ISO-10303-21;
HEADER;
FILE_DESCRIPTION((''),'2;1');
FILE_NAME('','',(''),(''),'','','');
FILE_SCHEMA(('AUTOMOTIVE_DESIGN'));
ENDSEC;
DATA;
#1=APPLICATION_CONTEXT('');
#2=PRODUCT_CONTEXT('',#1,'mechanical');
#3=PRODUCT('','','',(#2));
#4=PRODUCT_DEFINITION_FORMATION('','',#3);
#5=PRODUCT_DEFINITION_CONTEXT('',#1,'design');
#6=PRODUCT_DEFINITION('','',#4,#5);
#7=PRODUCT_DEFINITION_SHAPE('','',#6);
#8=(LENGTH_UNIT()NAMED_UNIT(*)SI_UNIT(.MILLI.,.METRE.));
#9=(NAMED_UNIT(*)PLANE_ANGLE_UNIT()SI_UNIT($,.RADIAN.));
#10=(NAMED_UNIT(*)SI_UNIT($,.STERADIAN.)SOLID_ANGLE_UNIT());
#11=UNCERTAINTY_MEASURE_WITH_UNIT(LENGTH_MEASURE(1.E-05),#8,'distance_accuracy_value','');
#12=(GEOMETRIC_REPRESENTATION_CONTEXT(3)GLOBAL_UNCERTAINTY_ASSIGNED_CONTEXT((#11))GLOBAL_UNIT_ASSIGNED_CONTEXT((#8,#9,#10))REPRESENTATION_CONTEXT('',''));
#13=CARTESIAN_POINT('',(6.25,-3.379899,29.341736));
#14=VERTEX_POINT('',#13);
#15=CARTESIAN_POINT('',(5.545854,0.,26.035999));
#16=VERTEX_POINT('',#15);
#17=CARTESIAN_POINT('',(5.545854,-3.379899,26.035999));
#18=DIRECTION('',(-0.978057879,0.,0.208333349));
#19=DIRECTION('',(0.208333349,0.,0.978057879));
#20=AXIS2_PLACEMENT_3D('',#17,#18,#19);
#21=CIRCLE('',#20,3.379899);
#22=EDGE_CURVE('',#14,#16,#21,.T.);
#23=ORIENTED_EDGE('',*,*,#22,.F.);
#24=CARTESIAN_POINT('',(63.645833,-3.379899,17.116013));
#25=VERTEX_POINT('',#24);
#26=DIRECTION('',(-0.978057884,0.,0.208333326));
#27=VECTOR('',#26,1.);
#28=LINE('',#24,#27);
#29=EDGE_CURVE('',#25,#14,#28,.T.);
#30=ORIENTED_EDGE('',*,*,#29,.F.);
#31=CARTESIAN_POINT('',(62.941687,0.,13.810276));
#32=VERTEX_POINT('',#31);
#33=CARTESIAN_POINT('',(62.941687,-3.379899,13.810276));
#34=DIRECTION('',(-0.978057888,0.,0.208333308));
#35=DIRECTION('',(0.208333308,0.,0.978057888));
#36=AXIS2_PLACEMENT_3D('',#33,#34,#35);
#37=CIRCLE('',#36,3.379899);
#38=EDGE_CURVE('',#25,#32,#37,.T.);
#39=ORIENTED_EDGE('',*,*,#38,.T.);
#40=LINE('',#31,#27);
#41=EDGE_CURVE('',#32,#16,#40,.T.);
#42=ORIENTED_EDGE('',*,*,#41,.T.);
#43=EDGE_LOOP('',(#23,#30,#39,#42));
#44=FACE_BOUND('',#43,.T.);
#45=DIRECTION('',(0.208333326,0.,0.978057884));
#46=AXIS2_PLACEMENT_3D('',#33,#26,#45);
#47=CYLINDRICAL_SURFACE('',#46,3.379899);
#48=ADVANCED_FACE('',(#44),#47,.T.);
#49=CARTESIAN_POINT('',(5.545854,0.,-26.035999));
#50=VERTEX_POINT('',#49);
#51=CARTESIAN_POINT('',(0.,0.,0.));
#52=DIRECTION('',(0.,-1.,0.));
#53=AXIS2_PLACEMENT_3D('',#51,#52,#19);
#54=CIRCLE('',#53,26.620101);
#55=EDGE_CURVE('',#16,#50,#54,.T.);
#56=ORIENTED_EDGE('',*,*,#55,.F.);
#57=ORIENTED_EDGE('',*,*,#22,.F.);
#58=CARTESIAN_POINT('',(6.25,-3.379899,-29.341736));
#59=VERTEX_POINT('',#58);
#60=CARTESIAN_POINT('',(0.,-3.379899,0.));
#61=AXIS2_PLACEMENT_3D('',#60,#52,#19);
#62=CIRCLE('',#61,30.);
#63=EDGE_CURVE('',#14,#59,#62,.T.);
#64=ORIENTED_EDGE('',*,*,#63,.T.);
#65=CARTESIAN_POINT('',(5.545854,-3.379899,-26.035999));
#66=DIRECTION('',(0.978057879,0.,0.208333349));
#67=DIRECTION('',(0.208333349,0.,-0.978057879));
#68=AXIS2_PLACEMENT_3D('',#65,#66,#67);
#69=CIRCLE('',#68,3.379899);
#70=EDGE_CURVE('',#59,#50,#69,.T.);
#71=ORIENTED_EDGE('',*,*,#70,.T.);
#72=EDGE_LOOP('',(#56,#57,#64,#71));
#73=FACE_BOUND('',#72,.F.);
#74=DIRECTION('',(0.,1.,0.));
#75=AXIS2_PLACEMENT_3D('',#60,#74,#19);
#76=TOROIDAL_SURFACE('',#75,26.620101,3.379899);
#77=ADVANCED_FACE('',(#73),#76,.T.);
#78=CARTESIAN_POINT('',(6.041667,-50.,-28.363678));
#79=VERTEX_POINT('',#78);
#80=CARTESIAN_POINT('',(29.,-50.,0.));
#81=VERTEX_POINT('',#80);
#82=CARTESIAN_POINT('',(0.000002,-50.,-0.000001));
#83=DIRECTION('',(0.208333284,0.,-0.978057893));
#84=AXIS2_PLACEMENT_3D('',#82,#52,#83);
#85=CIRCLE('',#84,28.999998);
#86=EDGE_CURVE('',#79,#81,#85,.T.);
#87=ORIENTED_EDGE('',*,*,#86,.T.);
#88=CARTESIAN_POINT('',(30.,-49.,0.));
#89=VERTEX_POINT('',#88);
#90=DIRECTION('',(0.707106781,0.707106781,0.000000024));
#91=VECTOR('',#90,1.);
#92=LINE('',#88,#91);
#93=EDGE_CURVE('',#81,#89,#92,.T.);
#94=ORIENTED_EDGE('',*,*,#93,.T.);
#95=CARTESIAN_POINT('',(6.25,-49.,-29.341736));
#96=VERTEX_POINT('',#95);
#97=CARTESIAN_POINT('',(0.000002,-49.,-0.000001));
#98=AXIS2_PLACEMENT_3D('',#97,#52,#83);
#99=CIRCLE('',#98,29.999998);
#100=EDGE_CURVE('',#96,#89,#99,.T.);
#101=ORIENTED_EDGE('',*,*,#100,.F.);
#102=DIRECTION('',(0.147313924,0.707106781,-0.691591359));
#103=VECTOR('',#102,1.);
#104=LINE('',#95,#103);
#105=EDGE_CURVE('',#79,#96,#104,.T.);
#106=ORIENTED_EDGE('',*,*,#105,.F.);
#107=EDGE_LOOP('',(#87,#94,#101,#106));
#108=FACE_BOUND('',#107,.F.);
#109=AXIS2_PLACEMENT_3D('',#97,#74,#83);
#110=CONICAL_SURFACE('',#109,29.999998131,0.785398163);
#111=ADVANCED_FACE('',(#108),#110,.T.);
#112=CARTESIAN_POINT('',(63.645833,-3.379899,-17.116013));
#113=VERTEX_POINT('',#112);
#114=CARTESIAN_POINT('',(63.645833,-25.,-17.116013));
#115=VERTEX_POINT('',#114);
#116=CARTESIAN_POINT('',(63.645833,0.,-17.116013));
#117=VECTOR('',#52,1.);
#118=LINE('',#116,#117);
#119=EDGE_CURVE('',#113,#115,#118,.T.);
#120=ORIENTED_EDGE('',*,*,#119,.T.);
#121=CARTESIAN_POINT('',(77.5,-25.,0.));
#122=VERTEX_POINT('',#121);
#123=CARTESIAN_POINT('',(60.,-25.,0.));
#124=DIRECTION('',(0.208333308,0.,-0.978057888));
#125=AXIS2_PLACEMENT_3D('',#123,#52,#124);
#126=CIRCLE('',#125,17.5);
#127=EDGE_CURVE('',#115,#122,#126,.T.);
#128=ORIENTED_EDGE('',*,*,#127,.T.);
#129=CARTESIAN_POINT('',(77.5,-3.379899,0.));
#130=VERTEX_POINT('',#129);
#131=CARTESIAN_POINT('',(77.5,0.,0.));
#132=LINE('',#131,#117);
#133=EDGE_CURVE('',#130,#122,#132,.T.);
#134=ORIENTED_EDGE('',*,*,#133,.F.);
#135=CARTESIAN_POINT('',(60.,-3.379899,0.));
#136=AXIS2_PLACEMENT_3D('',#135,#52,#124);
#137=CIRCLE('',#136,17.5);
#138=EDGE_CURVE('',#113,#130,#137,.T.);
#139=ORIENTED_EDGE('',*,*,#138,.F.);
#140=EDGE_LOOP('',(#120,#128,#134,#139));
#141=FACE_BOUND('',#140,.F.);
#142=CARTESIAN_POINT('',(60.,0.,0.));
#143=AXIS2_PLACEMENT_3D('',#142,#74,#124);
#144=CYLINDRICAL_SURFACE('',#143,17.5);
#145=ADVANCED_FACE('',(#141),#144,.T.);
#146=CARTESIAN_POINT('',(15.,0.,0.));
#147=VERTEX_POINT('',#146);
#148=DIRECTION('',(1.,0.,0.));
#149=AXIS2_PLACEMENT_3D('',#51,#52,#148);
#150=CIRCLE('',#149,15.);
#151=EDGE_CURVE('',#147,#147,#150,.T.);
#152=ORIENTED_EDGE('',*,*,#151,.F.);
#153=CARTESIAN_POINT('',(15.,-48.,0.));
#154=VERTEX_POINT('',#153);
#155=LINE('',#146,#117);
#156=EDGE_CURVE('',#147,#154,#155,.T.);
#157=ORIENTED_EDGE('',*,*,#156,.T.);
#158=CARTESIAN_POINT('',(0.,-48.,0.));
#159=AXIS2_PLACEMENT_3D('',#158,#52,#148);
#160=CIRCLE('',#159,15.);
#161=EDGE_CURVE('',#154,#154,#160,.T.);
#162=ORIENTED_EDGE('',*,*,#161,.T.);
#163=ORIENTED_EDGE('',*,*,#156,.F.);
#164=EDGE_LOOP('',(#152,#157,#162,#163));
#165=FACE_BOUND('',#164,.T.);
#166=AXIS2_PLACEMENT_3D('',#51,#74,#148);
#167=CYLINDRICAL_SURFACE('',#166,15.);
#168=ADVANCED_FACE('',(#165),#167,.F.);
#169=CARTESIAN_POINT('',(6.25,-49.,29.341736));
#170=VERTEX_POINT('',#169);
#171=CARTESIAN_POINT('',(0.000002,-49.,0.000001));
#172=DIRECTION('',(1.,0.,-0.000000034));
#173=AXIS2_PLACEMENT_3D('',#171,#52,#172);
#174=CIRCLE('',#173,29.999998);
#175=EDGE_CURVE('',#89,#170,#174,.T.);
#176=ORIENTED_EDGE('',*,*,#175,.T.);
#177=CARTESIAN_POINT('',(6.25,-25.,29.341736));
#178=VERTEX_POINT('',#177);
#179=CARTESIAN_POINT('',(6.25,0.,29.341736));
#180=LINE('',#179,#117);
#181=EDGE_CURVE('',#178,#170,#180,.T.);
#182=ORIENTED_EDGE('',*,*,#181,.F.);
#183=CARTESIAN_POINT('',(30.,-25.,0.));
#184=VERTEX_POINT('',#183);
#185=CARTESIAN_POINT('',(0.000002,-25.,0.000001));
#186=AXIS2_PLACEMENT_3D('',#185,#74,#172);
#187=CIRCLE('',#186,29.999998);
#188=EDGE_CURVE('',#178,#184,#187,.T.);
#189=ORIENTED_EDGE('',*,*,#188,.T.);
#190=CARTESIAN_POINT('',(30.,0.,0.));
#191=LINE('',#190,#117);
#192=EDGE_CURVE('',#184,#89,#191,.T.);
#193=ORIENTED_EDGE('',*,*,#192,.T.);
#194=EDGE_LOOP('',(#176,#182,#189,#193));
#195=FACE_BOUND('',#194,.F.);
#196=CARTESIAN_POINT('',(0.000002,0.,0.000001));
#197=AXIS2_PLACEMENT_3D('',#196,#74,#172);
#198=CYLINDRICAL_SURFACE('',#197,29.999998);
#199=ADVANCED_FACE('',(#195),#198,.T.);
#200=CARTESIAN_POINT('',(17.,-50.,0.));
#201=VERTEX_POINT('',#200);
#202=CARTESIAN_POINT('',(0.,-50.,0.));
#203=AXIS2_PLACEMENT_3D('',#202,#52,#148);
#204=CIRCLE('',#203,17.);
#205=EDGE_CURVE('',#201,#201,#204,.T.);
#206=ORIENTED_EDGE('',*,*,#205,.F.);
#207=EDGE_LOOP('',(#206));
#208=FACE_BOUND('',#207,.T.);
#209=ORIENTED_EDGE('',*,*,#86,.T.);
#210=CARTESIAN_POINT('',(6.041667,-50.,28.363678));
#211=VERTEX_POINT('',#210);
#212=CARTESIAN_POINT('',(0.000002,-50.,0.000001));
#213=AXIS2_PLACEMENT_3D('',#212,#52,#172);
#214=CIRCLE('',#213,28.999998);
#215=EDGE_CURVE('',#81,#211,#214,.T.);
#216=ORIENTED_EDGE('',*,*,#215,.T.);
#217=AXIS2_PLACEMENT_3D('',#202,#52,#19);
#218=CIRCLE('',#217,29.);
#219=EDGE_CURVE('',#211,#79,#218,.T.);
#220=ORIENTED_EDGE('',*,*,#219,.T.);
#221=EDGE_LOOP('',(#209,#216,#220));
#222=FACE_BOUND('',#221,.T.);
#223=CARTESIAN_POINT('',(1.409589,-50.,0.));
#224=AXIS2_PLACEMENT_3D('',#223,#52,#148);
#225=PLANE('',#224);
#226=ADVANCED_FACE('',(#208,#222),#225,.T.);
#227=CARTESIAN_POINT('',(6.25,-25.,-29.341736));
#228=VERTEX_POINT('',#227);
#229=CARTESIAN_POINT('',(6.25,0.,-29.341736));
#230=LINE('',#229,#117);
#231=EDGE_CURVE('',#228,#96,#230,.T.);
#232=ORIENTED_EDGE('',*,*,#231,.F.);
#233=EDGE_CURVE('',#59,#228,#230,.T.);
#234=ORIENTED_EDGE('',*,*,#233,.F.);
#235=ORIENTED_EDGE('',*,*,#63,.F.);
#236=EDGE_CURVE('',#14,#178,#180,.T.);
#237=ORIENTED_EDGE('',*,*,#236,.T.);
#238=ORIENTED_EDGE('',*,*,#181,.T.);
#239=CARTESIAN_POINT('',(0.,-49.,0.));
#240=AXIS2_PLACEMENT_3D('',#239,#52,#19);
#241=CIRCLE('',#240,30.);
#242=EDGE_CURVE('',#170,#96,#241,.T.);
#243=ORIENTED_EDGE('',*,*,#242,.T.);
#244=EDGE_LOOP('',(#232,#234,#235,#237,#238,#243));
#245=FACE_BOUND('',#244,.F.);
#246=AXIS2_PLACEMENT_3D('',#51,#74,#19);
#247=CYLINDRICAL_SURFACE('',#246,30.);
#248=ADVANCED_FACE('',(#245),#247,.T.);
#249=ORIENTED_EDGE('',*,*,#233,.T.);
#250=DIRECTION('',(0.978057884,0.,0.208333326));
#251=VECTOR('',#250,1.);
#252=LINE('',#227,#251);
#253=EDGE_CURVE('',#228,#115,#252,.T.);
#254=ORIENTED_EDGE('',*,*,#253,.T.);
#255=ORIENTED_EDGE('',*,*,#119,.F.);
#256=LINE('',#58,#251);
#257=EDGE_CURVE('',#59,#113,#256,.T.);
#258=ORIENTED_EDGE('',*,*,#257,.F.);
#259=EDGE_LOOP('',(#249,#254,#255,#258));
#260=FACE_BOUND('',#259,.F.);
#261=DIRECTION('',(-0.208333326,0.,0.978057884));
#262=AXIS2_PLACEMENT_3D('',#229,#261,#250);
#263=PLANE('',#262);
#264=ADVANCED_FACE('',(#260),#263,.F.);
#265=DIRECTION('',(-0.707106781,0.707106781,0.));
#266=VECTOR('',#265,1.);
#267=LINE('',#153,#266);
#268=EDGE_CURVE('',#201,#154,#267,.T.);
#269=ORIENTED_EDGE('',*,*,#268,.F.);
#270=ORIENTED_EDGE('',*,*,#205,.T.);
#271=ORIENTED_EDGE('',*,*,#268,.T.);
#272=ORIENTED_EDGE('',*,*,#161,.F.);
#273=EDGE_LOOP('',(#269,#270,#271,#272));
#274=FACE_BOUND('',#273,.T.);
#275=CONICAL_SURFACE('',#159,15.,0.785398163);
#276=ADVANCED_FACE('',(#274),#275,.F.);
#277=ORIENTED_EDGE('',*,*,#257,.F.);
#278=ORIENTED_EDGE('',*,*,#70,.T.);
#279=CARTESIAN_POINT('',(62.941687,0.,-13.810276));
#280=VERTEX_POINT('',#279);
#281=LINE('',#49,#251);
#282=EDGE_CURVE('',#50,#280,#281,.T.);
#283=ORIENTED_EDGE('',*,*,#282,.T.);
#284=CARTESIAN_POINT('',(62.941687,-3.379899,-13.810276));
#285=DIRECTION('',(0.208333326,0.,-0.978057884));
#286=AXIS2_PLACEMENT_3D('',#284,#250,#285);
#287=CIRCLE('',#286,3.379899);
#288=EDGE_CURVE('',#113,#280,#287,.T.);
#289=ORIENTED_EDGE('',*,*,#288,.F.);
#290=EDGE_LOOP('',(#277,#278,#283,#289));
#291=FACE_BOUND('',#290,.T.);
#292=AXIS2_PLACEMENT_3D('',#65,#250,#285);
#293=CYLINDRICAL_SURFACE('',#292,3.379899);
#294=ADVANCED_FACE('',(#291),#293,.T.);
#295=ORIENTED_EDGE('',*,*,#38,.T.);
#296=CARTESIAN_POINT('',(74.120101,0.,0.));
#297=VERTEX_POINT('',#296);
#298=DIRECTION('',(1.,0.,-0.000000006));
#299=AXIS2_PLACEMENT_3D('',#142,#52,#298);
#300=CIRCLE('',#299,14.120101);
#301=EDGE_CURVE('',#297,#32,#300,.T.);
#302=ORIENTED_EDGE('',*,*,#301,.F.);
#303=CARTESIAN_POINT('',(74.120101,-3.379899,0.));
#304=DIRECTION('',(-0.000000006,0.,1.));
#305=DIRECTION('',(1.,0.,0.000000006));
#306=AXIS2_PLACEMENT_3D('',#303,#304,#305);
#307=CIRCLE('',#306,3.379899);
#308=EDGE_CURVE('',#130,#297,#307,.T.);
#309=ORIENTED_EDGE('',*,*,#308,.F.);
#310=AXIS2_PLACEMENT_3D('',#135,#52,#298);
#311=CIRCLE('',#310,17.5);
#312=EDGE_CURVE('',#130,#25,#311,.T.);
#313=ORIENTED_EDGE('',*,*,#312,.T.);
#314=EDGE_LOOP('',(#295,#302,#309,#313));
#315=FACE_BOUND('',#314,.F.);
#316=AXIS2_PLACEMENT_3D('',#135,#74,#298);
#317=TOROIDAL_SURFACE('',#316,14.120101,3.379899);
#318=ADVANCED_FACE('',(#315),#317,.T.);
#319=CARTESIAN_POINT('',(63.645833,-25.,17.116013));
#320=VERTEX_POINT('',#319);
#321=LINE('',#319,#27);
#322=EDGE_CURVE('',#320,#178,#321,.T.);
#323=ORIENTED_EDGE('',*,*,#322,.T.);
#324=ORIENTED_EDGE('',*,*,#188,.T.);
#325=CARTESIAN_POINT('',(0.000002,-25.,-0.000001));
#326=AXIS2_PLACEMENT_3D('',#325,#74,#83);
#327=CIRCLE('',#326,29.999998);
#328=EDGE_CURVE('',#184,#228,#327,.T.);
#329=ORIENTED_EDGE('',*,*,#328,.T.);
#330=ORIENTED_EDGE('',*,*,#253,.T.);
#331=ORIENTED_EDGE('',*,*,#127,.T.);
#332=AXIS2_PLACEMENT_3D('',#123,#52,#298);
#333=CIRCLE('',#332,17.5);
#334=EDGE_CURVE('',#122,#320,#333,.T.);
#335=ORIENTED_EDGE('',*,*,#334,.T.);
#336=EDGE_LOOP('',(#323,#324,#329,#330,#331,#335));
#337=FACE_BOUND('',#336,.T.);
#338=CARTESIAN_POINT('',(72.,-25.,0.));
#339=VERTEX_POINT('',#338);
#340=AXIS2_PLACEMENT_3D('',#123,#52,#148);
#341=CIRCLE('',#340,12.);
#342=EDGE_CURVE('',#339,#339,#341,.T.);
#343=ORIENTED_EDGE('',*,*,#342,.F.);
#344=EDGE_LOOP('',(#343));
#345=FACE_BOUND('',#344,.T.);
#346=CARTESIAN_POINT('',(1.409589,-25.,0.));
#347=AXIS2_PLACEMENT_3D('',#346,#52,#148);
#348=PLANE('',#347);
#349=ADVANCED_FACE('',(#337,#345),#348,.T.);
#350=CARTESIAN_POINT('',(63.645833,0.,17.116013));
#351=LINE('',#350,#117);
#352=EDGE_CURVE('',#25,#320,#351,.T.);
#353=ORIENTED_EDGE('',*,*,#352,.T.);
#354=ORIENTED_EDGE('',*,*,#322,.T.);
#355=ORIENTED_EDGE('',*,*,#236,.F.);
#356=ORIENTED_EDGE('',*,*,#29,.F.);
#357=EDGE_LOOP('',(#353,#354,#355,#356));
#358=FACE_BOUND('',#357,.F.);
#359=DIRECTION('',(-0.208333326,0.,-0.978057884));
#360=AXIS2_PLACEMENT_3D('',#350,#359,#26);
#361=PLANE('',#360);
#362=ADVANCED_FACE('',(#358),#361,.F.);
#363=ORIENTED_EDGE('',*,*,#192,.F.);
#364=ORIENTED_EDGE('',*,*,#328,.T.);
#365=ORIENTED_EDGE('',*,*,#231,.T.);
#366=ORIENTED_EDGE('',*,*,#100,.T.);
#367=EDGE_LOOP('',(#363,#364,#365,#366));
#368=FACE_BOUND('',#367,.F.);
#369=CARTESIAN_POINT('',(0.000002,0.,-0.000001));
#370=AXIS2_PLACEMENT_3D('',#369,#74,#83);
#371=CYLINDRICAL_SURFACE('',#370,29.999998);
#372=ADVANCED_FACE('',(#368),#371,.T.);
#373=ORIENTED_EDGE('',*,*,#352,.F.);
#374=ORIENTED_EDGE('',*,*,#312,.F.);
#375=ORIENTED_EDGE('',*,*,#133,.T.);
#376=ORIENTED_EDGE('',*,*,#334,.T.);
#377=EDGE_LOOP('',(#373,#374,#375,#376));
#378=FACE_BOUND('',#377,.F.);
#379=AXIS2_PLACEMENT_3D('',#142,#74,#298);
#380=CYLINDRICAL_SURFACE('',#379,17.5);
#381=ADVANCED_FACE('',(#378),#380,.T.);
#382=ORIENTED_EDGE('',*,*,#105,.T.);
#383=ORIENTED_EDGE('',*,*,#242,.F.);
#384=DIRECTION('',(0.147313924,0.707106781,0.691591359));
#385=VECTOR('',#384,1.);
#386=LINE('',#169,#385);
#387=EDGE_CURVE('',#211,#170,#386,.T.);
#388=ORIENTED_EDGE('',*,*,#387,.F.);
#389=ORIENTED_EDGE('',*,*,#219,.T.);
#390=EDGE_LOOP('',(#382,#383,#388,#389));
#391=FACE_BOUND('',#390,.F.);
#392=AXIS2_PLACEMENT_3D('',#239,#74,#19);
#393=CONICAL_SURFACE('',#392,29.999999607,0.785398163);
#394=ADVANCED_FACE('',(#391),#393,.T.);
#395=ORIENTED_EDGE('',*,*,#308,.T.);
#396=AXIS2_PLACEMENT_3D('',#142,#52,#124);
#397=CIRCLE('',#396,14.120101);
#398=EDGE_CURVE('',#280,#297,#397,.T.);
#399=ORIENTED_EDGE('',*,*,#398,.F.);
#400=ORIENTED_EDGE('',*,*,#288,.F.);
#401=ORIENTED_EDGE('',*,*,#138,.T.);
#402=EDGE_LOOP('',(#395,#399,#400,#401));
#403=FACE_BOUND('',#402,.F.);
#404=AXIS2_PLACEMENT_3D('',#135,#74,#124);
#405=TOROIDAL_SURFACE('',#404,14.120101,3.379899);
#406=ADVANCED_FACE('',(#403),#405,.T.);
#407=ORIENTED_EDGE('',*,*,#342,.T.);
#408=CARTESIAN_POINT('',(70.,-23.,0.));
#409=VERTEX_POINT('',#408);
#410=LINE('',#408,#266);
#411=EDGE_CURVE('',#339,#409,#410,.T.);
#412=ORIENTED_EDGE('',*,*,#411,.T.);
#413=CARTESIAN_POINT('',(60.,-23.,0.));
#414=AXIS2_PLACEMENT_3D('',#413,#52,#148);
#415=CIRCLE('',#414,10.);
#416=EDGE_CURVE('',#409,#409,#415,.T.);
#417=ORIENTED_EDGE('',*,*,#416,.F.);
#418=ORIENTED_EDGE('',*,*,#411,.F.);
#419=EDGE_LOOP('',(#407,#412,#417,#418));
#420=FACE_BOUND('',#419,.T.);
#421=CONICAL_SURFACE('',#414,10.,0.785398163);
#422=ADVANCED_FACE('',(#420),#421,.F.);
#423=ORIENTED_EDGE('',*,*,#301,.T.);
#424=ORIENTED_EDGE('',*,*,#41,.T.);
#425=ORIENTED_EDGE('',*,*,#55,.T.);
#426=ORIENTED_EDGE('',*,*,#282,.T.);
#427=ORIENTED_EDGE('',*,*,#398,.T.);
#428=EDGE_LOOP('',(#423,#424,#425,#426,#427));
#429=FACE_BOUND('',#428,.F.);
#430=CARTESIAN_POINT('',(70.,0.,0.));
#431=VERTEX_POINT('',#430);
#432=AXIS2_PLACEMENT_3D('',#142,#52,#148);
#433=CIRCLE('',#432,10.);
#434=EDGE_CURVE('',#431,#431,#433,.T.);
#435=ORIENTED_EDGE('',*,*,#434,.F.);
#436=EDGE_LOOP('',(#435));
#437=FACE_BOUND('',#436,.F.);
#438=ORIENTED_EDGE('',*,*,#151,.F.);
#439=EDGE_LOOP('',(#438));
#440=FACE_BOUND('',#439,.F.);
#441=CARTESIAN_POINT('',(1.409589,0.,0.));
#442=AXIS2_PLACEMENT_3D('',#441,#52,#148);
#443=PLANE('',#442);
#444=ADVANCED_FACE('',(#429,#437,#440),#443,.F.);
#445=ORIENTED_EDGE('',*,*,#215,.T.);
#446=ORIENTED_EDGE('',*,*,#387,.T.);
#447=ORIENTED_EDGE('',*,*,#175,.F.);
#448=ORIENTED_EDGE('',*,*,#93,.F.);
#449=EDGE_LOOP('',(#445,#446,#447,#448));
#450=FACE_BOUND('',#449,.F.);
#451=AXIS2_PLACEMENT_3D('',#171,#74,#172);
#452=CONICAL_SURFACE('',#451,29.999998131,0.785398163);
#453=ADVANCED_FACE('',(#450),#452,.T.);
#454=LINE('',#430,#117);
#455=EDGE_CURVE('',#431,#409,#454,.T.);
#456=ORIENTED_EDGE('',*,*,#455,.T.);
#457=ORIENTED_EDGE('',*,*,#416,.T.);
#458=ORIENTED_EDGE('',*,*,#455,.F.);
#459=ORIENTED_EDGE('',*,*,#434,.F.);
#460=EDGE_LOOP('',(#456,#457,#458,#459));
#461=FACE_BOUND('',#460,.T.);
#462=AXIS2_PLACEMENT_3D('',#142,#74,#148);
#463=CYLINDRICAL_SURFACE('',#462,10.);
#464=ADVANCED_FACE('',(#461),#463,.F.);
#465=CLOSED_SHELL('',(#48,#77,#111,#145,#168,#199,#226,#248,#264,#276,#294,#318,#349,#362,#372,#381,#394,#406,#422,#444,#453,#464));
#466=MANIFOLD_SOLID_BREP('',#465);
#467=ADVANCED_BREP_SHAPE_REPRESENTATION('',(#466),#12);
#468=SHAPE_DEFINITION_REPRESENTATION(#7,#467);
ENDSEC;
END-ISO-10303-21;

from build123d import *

# Parameters (mm, degrees)
F0_R     = 15
F0_R_2   = 10
F1_DEPTH = 25
F2_DEPTH = 50
F3_R     = 3.379899
F4_SIZE  = 2
F5_SIZE  = 1


with BuildPart() as f1:
    # F0 (on Front) → F1 (new body)
    with BuildSketch(Plane.XZ):
        with BuildLine():
            ThreePointArc((6.25, -29.341736), (23.318448, -18.874586), (30, 0))
            ThreePointArc((30, 0), (23.318448, 18.874586), (6.25, 29.341736))
            ThreePointArc((6.25, 29.341736), (-30, 0), (6.25, -29.341736))
        make_face()
        Circle(F0_R, mode=Mode.SUBTRACT)
        with BuildLine():
            ThreePointArc((6.25, 29.341736), (23.318448, 18.874586), (30, 0))
            ThreePointArc((30, 0), (23.318448, -18.874586), (6.25, -29.341736))
            Line((6.25, -29.341736), (63.645833, -17.116013))
            ThreePointArc((63.645833, -17.116013), (42.5, 0), (63.645833, 17.116013))
            Line((63.645833, 17.116013), (6.25, 29.341736))
        make_face()
        with BuildLine():
            ThreePointArc((77.5, 0), (73.602428, 11.010175), (63.645833, 17.116013))
            ThreePointArc((63.645833, 17.116013), (42.5, 0), (63.645833, -17.116013))
            ThreePointArc((63.645833, -17.116013), (73.602428, -11.010175), (77.5, 0))
        make_face()
        with Locations((60, 0)):
            Circle(F0_R_2, mode=Mode.SUBTRACT)
    extrude(amount=F1_DEPTH)

    # F0 (on Front) → F2 (join)
    with BuildSketch(Plane.XZ):
        with BuildLine():
            ThreePointArc((6.25, -29.341736), (23.318448, -18.874586), (30, 0))
            ThreePointArc((30, 0), (23.318448, 18.874586), (6.25, 29.341736))
            ThreePointArc((6.25, 29.341736), (-30, 0), (6.25, -29.341736))
        make_face()
        Circle(F0_R, mode=Mode.SUBTRACT)
    extrude(amount=F2_DEPTH)

    # F3
    f3_edges = [f1.edges().sort_by_distance(p)[0] for p in [
        (-30, 0, 0),
        (34.947917, 0, -23.228875),
        (77.5, 0, 0),
        (34.947917, 0, 23.228875),
    ]]
    fillet(f3_edges, radius=F3_R)

    # F4
    f4_edges = [f1.edges().sort_by_distance(p)[0] for p in [
        (-15, -50, 0),
        (50, -25, 0),
    ]]
    chamfer(f4_edges, length=F4_SIZE)

    # F5
    f5_edges = [f1.edges().sort_by_distance(p)[0] for p in [
        (-6.25, -50, 29.341736),
    ]]
    chamfer(f5_edges, length=F5_SIZE)


solid = f1.part
